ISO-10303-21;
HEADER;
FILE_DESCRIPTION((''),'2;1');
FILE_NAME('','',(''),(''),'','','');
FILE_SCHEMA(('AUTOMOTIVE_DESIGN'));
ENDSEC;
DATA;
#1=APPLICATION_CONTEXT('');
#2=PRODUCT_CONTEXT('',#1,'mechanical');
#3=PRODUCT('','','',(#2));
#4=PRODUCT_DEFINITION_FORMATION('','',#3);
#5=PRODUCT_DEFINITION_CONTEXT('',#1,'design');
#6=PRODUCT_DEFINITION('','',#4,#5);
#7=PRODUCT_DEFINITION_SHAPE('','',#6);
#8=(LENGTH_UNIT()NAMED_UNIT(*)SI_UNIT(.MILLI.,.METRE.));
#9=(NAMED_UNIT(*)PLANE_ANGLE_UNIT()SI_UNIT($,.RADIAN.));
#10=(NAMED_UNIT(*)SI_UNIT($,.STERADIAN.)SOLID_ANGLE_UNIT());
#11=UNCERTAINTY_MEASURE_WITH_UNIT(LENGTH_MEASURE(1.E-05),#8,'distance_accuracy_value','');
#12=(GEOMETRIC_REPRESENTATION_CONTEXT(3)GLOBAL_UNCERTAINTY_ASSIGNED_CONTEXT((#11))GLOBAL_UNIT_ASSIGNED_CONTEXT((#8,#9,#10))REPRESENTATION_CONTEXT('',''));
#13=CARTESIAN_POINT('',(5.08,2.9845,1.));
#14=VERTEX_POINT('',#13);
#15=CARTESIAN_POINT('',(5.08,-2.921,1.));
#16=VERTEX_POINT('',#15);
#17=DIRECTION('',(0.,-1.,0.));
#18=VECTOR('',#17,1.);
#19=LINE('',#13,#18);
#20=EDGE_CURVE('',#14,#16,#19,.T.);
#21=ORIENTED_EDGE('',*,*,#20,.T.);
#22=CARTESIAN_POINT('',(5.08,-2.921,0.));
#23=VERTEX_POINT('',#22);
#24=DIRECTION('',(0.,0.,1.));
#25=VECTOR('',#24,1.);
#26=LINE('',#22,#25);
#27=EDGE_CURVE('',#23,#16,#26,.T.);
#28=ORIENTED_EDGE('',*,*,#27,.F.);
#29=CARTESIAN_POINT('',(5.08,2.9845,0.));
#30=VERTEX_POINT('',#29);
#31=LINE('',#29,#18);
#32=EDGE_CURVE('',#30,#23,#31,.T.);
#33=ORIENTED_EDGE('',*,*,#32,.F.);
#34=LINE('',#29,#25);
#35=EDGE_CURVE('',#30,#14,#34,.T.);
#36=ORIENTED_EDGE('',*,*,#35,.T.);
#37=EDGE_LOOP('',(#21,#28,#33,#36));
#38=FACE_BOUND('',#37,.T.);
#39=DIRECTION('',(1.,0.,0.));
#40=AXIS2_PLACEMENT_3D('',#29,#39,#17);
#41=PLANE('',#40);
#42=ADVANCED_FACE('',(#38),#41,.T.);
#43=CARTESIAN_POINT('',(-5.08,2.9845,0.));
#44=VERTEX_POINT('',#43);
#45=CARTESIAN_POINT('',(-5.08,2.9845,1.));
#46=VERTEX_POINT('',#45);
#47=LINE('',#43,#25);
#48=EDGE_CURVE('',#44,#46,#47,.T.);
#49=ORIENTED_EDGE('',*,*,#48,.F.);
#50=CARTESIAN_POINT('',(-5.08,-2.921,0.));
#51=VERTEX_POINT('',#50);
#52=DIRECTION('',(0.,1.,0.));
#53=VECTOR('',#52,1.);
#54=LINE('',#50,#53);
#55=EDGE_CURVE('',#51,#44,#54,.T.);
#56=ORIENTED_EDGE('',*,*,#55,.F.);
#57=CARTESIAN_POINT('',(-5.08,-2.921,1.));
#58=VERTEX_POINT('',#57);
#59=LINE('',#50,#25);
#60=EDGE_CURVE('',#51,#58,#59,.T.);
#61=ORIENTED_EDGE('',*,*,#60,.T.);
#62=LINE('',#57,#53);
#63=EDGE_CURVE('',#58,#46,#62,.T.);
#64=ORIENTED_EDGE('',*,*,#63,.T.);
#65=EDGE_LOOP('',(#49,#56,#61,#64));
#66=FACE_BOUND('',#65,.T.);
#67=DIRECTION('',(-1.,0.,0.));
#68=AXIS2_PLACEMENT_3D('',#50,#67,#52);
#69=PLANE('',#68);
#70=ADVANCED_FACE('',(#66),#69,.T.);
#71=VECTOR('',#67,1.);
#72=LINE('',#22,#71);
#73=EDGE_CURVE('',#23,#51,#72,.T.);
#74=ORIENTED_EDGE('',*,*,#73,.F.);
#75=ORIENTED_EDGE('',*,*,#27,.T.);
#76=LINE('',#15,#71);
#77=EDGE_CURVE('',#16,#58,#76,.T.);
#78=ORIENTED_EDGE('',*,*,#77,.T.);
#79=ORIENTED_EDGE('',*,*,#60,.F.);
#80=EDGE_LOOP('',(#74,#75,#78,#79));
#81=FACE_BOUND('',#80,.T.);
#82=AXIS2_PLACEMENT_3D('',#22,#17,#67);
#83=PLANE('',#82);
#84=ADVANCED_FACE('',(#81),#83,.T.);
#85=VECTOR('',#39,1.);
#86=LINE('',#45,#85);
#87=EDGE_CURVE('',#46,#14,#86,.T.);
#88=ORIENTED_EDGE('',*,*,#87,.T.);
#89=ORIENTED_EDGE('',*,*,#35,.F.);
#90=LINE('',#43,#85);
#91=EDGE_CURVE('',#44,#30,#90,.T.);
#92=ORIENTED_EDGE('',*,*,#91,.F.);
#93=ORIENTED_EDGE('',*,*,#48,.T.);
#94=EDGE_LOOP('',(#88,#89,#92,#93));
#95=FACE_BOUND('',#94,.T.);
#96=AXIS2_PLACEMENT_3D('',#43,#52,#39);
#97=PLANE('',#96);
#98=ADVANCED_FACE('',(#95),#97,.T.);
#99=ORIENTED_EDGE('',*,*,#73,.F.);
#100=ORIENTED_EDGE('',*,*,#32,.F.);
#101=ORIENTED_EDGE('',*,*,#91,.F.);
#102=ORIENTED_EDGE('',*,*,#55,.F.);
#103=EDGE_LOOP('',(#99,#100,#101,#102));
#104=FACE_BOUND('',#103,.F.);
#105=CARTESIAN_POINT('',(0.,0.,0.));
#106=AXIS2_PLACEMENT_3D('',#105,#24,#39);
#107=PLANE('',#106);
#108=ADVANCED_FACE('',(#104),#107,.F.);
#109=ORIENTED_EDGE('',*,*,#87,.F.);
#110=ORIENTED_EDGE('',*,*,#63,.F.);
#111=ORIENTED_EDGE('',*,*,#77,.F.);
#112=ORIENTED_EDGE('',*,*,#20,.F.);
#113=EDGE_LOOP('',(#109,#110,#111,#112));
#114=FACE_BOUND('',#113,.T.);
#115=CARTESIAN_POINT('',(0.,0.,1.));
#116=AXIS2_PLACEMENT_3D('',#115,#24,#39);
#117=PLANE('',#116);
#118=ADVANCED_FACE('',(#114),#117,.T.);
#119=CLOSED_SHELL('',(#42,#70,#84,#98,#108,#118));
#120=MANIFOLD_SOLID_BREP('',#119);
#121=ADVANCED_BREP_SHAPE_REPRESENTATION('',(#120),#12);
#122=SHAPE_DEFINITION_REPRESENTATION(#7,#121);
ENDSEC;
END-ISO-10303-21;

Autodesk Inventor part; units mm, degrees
ref_plane "YZ Plane" through (0, 0, 0) normal (1, 0, 0) x (0, 1, 0)
ref_plane "XZ Plane" through (0, 0, 0) normal (0, 1, 0) x (-1, 0, 0)
ref_plane "XY Plane" through (0, 0, 0) normal (0, 0, 1) x (1, 0, 0)
sketch "6410-04, I2C_DATA_B2_B1_56" plane through (0, 0, 0) normal (0, 0, 1) x (1, 0, 0)
  line L0 (-5.08, 2.9845) -> (5.08, 2.9845)
  line L1 (5.08, 2.9845) -> (5.08, -2.921)
  line L2 (5.08, -2.921) -> (-5.08, -2.921)
  line L3 (-5.08, -2.921) -> (-5.08, 2.9845)
extrude "Extrusion1" add sketch "6410-04, I2C_DATA_B2_B1_56" along normal blind 1
properties part number "I2C_DATA_B2_B1"
